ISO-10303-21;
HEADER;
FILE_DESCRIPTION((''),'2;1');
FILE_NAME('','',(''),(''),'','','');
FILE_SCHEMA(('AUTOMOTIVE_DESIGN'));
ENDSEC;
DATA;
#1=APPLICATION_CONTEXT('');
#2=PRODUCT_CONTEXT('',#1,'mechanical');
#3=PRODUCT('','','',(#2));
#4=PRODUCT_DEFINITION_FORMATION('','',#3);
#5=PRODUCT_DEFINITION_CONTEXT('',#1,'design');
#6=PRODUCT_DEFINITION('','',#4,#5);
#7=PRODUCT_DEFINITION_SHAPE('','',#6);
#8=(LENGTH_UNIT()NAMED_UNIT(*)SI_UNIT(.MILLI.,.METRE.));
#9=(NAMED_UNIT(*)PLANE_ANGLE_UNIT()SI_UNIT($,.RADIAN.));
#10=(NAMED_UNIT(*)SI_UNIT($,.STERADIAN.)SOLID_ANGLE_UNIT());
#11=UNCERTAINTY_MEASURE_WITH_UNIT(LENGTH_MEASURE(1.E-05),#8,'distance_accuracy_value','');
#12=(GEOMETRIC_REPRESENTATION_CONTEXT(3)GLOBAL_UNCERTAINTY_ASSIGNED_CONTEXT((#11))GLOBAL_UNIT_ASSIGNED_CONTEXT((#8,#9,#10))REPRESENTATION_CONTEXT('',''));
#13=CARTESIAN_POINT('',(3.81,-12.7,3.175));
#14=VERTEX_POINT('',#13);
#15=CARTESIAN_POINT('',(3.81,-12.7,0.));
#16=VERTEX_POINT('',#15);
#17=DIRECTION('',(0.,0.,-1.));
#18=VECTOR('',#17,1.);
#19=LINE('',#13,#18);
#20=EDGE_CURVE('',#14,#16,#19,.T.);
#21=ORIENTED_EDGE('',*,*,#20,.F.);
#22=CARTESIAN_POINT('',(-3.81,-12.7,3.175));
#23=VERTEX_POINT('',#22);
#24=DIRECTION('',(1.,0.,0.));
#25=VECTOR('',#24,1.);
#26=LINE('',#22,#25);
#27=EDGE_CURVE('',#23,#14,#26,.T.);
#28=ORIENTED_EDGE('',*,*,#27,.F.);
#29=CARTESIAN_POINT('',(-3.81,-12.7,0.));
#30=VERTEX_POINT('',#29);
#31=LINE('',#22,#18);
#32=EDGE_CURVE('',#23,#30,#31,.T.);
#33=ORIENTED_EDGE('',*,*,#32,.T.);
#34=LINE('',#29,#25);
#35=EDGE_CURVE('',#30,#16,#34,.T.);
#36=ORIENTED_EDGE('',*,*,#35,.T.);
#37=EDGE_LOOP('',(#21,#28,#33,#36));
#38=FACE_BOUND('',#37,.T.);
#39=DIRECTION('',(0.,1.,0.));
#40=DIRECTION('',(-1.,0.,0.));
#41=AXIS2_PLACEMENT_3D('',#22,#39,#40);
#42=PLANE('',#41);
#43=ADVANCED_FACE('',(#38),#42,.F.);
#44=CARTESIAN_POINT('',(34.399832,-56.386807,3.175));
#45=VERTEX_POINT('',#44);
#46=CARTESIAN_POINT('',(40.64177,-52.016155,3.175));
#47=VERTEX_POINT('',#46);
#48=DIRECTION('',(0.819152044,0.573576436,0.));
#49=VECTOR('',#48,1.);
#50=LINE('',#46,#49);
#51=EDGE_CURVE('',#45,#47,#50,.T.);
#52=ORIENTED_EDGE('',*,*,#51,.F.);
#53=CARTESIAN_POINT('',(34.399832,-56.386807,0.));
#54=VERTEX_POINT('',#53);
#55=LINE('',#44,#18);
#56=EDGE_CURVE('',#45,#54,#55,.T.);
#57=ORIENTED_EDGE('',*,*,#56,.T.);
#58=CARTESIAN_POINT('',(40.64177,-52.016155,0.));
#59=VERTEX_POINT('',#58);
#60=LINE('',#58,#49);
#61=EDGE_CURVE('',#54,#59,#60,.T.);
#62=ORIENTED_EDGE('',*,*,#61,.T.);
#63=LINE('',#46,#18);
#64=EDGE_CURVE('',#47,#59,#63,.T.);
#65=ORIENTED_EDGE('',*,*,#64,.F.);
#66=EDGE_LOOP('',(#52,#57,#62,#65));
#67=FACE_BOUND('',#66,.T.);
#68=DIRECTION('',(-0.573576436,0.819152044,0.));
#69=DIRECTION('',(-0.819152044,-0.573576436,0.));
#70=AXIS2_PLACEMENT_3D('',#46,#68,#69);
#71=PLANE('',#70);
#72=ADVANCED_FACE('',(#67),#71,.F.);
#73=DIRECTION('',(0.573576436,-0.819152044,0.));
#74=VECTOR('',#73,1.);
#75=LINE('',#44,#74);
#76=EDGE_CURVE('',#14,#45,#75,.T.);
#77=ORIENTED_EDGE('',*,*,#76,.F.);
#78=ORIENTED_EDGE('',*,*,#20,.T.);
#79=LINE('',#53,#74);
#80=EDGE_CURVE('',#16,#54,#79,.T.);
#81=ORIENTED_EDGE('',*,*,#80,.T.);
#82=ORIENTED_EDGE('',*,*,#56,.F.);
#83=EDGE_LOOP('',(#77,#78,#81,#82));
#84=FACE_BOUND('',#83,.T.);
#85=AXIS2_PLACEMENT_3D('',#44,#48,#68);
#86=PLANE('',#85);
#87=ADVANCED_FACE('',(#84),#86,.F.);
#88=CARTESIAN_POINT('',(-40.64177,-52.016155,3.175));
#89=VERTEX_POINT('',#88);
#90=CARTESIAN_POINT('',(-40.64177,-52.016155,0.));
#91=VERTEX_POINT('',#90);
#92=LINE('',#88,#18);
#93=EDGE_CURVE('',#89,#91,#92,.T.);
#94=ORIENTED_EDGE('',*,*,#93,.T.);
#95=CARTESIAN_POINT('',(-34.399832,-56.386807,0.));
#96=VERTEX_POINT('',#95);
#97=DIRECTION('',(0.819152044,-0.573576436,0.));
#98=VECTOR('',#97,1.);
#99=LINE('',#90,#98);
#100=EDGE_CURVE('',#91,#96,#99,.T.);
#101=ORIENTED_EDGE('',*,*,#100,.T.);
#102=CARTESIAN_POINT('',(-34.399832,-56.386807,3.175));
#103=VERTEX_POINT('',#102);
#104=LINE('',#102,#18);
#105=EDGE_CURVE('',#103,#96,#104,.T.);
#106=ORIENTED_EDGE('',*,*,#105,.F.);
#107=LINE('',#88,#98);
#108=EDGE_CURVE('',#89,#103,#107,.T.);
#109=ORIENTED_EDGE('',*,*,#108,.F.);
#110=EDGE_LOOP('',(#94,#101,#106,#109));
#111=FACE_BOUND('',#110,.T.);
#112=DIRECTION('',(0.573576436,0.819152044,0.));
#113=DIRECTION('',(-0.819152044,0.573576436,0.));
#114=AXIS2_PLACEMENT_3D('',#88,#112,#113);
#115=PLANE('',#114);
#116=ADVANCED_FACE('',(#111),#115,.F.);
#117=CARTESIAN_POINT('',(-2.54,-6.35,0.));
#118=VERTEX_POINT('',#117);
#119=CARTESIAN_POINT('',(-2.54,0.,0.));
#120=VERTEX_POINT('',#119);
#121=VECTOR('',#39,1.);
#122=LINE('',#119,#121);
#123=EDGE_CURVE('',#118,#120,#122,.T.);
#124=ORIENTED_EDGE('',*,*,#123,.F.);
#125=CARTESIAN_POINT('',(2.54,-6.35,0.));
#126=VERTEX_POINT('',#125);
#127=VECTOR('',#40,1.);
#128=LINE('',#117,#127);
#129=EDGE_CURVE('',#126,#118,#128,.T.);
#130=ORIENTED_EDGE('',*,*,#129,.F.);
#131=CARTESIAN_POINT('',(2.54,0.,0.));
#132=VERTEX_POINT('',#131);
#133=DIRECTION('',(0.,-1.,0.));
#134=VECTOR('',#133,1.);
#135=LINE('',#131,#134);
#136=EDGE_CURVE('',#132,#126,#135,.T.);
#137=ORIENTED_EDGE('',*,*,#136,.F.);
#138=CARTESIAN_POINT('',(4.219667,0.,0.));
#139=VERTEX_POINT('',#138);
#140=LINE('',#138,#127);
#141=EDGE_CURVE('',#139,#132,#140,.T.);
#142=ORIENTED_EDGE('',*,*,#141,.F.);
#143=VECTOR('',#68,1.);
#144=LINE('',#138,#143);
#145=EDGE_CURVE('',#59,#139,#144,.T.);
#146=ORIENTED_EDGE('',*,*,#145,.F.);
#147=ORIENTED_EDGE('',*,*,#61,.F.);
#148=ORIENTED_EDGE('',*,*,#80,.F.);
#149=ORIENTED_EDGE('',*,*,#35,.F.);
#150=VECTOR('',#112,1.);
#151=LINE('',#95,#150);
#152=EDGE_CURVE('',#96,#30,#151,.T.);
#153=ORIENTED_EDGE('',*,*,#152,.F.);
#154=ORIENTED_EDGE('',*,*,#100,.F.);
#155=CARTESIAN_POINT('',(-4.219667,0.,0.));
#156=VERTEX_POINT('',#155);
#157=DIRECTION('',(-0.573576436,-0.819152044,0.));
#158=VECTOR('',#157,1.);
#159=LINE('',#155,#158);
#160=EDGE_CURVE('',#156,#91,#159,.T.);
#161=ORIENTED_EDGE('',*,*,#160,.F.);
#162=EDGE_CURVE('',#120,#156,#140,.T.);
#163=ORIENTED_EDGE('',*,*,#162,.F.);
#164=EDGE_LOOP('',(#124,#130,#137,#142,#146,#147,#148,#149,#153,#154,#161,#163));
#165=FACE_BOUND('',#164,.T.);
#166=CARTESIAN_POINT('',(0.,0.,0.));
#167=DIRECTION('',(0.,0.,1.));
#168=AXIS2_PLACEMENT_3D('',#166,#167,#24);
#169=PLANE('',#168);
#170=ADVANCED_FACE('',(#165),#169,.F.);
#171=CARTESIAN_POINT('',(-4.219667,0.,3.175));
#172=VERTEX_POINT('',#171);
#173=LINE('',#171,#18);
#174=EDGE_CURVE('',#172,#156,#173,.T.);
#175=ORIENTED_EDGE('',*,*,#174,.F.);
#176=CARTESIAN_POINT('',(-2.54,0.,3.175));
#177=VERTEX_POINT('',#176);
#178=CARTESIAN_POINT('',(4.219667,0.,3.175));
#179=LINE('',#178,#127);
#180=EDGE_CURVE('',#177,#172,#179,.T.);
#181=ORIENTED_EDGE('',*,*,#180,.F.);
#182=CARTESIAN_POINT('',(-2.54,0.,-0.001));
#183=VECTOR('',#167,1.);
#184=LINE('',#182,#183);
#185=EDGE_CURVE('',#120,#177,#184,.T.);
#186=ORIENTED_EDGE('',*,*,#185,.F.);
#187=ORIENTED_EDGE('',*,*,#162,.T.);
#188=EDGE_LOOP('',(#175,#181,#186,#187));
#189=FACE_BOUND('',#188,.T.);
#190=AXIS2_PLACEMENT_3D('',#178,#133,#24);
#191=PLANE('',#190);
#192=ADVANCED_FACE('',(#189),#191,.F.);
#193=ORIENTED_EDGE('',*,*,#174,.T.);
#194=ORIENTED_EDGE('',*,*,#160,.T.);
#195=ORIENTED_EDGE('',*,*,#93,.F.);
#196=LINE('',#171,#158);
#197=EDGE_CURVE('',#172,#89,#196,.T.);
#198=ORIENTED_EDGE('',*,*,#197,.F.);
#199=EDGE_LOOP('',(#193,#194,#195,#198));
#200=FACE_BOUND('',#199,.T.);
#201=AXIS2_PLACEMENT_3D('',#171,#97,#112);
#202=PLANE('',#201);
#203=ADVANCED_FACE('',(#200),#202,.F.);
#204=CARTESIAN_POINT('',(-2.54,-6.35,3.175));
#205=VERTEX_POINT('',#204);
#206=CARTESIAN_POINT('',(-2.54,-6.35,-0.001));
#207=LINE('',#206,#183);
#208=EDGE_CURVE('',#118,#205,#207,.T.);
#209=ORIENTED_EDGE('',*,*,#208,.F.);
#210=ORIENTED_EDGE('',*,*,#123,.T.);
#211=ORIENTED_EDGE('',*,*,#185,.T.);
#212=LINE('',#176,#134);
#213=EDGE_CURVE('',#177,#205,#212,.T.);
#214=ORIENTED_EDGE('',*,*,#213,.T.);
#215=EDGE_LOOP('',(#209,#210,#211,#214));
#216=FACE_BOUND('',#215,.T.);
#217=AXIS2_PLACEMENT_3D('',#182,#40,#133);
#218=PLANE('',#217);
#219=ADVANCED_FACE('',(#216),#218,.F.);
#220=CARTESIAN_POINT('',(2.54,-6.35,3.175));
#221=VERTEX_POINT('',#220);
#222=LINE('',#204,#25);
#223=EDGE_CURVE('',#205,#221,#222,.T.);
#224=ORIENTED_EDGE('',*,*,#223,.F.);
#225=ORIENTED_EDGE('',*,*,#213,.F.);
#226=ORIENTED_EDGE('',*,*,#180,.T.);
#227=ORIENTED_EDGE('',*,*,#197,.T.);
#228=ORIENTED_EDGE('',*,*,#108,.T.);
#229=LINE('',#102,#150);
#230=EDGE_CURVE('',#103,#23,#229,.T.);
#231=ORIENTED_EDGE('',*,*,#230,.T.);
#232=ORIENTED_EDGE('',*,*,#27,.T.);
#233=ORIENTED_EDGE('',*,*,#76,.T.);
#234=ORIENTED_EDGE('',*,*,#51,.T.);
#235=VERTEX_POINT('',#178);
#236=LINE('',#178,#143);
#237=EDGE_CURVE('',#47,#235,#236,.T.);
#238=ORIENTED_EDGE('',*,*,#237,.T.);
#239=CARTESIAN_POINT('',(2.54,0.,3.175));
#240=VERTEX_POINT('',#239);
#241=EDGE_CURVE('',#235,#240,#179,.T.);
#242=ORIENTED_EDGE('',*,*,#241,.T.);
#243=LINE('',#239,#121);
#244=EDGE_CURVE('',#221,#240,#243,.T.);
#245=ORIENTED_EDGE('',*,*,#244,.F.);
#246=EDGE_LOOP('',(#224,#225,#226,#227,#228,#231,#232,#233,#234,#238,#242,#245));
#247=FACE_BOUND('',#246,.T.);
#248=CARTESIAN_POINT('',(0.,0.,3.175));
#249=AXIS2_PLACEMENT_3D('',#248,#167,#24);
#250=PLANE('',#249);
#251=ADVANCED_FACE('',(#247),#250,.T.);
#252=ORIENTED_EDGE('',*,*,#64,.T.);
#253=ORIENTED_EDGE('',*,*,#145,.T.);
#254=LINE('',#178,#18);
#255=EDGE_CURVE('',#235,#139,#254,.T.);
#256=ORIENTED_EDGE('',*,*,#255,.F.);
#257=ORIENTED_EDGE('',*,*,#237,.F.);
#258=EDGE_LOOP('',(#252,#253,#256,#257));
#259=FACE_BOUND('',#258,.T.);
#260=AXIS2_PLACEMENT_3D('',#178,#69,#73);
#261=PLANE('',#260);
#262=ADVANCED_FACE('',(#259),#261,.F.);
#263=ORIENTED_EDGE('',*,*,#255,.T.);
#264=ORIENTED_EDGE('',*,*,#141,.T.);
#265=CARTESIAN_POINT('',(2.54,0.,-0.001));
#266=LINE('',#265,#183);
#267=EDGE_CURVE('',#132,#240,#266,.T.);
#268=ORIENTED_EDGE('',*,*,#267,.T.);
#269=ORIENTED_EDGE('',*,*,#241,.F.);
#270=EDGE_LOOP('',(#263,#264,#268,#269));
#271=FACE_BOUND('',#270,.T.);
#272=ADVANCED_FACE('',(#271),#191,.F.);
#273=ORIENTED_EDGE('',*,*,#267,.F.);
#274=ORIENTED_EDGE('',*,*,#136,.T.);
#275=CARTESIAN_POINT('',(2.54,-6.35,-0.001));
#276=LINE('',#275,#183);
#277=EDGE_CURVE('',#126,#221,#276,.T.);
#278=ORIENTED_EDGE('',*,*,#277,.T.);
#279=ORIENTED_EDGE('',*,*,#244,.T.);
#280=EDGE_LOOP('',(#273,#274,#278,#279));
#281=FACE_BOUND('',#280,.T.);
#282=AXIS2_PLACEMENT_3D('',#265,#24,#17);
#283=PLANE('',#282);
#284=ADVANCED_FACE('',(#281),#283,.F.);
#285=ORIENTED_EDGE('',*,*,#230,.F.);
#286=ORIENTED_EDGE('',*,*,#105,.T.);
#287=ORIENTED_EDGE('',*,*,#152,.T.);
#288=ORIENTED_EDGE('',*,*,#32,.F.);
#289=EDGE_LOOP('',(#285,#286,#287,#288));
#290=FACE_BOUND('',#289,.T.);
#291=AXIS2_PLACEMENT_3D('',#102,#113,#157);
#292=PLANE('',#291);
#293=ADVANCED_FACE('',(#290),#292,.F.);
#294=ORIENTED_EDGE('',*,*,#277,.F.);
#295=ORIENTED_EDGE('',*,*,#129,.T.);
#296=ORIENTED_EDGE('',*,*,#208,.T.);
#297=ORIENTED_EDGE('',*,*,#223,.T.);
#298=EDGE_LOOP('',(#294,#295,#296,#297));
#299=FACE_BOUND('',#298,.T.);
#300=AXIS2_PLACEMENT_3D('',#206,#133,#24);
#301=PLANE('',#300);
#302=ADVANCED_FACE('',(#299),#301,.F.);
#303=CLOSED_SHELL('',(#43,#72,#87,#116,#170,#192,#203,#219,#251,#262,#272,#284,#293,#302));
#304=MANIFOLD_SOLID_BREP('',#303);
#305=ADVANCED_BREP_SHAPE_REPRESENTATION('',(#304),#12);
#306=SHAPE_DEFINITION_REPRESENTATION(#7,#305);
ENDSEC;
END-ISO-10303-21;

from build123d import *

# Parameters (mm, degrees)
BOSS_EXTRUDE1_DEPTH = 3.175
CUT_EXTRUDE1_REACH  = 71.579
SKETCH2_W           = 5.08
SKETCH2_H           = 6.35


with BuildPart() as part:
    # Sketch1 → Boss-Extrude1 (new body)
    with BuildSketch(Plane.XY):
        Polygon((4.219666631, 0), (-4.219666631, 0), (-40.641770339, -52.016154812), (-34.399831762, -56.386807257), (-3.81, -12.7), (3.81, -12.7), (34.399831762, -56.386807257), (40.641770339, -52.016154812), align=None)
    extrude(amount=BOSS_EXTRUDE1_DEPTH)

    # Sketch2 → Cut-Extrude1 (cut, up to next)
    with BuildSketch(Plane.XY.offset(3.175), mode=Mode.PRIVATE) as cut_extrude1_sk1:
        with Locations((0, -3.175)):
            Rectangle(SKETCH2_W, SKETCH2_H)
    cut_extrude1_tool1 = extrude(cut_extrude1_sk1.sketch, amount=-CUT_EXTRUDE1_REACH, mode=Mode.PRIVATE) & part.part
    add(cut_extrude1_tool1.solids().sort_by_distance((0, -3.175, 3.175))[0], mode=Mode.SUBTRACT)


solid = part.part
